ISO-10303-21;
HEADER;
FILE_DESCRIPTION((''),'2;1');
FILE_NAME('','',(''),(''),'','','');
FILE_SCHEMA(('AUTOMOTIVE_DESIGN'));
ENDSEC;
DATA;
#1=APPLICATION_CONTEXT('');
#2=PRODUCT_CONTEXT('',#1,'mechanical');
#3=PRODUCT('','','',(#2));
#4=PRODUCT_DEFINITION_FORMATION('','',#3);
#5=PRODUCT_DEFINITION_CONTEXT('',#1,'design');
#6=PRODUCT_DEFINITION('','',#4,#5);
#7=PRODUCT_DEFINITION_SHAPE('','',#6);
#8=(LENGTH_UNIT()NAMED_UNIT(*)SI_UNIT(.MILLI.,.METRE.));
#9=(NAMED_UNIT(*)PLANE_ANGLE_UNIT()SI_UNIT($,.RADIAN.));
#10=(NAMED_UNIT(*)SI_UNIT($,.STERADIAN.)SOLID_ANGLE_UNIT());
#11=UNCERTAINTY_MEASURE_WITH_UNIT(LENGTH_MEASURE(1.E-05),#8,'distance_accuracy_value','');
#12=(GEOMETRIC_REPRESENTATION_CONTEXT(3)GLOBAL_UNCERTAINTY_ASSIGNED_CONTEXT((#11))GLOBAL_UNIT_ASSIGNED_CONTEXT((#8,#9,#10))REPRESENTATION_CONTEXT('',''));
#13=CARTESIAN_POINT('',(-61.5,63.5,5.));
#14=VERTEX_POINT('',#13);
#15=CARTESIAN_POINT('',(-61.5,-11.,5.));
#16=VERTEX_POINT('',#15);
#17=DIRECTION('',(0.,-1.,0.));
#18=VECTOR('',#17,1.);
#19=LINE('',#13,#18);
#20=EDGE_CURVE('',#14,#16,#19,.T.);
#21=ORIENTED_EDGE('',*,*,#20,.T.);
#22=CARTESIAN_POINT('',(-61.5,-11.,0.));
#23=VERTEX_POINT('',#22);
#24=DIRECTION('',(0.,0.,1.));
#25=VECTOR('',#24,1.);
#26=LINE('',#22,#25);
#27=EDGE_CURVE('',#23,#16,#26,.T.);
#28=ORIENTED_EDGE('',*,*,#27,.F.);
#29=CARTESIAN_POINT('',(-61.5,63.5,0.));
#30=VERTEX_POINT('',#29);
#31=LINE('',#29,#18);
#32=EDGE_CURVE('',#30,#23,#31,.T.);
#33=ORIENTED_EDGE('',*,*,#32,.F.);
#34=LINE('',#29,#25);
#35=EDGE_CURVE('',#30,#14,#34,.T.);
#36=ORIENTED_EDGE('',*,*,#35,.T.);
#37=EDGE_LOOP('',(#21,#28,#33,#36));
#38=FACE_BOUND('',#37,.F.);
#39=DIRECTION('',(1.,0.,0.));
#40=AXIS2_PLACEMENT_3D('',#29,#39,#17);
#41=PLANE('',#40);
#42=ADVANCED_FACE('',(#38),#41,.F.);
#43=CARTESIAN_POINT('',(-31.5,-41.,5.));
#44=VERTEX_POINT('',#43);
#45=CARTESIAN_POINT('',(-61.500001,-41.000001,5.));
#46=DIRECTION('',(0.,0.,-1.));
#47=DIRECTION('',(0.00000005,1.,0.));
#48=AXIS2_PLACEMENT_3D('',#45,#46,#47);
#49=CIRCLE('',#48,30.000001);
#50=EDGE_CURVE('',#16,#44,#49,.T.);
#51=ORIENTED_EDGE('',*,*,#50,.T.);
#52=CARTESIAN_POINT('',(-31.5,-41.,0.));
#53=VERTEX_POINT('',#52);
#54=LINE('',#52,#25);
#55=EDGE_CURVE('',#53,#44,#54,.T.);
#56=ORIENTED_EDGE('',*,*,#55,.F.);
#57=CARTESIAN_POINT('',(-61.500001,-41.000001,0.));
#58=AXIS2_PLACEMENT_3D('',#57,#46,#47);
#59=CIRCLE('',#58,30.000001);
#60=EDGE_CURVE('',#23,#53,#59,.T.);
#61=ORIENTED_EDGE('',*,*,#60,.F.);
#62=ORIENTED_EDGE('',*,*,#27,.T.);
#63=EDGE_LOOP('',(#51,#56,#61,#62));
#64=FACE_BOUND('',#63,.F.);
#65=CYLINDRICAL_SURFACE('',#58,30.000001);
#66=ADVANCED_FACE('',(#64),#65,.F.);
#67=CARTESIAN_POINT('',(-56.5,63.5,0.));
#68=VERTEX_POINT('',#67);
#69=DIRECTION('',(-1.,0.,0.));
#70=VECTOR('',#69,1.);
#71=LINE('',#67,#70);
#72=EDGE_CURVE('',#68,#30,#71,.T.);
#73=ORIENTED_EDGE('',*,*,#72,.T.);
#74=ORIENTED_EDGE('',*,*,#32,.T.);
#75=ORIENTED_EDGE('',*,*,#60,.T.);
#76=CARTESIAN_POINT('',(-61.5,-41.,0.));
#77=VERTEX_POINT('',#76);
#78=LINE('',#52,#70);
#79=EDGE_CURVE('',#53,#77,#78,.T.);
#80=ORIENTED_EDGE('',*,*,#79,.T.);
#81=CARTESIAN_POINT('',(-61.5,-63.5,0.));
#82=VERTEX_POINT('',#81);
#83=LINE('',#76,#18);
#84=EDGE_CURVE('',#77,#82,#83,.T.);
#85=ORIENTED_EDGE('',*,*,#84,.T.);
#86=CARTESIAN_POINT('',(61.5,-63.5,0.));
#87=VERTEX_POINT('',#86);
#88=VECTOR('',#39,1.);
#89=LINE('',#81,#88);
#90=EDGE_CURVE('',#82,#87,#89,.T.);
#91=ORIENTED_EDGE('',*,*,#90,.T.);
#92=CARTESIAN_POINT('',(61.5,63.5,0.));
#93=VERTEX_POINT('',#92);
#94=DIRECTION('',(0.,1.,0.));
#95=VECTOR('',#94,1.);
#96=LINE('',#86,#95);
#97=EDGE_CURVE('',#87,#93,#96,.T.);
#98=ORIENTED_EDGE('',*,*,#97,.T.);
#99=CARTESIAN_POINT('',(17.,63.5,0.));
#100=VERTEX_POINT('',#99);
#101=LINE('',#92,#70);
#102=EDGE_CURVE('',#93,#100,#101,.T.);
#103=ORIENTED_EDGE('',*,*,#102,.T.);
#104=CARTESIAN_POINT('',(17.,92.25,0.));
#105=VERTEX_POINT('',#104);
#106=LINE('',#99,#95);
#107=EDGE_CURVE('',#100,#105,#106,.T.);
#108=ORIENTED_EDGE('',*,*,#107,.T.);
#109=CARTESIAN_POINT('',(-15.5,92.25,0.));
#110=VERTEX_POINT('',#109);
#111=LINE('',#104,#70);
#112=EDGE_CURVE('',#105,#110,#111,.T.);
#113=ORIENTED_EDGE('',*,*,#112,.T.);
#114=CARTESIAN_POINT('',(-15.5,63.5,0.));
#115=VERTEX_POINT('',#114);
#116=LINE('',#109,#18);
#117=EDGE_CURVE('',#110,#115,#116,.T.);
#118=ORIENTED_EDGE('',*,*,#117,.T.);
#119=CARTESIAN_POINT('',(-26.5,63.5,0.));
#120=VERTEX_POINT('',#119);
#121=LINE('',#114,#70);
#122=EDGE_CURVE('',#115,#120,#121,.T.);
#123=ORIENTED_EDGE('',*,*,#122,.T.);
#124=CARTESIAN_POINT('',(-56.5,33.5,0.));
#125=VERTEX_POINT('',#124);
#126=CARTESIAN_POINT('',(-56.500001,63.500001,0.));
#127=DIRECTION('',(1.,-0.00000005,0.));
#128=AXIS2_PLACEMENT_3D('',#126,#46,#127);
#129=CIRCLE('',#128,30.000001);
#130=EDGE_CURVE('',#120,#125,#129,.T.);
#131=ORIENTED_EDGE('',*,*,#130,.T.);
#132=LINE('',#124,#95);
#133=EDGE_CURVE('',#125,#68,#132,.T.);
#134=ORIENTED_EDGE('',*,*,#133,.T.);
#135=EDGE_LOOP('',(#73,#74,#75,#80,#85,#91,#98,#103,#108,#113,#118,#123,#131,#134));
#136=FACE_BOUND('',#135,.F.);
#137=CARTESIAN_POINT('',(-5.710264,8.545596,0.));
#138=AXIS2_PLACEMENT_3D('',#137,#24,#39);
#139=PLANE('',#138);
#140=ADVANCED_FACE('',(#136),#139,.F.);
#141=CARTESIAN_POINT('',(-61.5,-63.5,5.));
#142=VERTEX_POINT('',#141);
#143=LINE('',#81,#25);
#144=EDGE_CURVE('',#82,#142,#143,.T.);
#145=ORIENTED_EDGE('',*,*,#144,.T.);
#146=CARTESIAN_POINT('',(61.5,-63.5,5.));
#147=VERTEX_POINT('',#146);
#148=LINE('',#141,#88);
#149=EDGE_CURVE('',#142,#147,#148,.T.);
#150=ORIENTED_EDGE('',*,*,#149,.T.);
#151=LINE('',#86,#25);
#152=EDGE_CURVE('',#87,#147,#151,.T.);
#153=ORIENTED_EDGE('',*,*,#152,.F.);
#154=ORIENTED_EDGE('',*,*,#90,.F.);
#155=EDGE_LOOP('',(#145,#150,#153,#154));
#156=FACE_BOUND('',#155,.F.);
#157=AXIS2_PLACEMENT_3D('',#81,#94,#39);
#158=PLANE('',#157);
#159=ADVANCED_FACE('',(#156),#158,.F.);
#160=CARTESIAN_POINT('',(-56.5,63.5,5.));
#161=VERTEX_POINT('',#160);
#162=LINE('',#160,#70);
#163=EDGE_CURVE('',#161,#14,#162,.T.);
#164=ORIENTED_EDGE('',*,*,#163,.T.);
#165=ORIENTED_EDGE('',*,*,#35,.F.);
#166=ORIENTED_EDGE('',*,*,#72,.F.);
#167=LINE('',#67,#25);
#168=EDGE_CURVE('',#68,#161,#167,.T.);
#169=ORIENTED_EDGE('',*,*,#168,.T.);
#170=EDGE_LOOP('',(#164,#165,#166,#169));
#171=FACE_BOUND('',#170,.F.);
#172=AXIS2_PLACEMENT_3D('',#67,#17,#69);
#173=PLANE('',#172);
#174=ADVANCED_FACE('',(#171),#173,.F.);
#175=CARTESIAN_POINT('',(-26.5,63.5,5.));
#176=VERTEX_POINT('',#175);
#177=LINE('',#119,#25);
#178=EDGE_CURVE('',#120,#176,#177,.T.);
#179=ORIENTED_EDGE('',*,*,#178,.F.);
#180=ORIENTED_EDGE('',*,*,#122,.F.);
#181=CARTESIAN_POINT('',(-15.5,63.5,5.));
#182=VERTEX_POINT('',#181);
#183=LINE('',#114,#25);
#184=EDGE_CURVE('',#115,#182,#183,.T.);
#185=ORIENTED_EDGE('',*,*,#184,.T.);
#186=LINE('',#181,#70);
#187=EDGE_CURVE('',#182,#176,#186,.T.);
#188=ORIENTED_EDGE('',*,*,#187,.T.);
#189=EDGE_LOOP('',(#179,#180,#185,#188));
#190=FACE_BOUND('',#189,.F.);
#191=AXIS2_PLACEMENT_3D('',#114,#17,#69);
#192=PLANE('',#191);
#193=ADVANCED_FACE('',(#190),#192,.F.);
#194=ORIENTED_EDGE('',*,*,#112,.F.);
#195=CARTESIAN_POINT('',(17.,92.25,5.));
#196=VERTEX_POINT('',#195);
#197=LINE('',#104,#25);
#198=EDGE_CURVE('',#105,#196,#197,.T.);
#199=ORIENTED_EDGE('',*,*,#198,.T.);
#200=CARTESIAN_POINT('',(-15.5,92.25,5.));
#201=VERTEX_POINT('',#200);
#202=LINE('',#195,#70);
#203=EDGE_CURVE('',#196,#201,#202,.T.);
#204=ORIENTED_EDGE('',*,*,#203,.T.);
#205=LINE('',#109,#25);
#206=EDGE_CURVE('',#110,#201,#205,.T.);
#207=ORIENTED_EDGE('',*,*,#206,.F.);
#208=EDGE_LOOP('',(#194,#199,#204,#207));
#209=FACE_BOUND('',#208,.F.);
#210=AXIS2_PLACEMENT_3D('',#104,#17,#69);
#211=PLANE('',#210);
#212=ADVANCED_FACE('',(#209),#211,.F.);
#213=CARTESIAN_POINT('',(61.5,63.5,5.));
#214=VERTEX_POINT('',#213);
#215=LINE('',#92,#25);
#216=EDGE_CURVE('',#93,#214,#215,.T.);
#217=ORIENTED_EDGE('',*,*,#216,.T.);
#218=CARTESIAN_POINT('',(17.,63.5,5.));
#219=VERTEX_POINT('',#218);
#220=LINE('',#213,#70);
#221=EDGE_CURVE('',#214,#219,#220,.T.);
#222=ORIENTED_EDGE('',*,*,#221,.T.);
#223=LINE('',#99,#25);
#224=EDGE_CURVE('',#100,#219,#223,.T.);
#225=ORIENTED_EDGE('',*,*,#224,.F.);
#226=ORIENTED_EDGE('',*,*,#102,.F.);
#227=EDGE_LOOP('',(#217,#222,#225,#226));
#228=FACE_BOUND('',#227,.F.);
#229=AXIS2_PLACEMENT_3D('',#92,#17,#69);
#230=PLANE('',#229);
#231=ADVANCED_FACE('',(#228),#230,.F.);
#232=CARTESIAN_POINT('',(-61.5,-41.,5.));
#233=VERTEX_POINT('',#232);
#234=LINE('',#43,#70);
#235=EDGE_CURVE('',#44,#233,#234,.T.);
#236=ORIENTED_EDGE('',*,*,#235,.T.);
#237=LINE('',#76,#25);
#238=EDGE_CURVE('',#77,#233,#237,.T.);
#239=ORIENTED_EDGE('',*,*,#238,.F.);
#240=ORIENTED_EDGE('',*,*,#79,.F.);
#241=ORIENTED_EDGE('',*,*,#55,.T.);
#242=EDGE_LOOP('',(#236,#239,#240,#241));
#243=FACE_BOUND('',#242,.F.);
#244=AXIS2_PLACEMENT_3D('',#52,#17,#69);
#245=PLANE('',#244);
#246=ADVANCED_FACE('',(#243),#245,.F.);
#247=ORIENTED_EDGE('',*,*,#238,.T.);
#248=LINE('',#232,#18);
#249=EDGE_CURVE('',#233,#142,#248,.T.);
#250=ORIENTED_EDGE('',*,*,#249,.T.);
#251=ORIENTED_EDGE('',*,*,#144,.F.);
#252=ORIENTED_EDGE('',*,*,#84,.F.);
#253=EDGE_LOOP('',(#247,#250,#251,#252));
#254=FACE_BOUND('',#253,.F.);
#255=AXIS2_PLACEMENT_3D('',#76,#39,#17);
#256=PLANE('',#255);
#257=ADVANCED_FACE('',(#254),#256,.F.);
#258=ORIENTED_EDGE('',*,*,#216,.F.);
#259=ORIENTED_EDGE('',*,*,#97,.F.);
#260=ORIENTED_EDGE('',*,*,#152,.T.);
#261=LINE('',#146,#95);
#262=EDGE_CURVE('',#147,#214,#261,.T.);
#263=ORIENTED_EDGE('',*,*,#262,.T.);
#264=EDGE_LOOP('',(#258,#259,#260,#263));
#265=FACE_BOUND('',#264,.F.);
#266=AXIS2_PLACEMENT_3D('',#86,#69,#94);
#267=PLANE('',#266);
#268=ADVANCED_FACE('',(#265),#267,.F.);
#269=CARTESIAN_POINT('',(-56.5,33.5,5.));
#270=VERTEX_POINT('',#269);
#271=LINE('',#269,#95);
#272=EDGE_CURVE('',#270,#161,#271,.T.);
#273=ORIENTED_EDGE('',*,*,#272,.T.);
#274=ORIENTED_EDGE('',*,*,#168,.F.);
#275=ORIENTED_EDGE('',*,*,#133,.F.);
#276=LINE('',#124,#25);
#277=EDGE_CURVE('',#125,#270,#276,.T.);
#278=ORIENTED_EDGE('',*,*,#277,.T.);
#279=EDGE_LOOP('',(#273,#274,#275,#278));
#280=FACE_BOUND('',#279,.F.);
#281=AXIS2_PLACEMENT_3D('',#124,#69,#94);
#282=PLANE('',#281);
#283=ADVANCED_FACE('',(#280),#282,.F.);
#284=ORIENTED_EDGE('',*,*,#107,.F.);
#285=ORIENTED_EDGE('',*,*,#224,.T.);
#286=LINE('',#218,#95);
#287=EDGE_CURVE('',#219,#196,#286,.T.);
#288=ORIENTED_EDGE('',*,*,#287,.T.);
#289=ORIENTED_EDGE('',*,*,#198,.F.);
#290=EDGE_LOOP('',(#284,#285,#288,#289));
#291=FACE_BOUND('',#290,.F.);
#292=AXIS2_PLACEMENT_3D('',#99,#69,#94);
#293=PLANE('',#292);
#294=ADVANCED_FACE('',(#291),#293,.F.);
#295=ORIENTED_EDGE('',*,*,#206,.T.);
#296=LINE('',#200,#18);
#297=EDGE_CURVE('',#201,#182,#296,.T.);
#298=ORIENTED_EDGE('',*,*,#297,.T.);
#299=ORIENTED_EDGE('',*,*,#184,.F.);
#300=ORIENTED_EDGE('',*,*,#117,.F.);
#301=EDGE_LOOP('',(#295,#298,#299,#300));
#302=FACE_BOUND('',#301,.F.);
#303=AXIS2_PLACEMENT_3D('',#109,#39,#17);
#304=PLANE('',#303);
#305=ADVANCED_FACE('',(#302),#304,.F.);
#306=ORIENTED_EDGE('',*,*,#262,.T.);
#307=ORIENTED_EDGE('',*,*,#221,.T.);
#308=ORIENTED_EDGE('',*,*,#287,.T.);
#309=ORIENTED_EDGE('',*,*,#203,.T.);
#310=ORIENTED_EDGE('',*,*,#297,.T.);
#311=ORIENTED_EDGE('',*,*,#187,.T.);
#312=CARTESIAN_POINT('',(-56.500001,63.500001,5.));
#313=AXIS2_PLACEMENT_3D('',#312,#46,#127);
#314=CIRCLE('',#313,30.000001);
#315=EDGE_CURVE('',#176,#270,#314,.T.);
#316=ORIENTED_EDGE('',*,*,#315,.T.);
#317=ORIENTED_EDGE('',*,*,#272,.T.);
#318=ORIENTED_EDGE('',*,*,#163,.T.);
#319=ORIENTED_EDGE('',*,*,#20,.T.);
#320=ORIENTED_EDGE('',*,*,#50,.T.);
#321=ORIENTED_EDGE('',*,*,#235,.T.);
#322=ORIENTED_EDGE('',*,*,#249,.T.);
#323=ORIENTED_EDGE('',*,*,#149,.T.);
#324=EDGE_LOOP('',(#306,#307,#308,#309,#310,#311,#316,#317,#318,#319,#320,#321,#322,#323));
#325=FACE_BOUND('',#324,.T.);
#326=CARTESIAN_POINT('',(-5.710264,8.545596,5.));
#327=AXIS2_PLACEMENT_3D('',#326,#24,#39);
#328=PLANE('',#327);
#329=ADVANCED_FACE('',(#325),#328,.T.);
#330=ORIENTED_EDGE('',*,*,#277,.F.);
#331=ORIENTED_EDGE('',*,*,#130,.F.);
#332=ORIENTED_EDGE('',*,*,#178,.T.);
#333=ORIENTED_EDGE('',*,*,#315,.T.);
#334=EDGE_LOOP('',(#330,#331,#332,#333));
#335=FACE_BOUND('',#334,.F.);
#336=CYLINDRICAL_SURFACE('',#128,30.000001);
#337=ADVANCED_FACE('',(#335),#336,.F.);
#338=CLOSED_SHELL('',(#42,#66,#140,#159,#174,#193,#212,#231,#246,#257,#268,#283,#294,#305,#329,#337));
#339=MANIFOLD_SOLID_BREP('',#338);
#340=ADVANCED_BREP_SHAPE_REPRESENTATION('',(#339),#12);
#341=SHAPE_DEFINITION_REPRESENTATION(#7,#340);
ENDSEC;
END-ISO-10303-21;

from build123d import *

# Parameters (mm, degrees)
F1_DEPTH = 5


with BuildPart() as f1:
    # F0 (on Top) → F1 (new body)
    with BuildSketch(Plane.XY):
        with BuildLine():
            Line((61.5, -63.5), (61.5, 63.5))
            Line((61.5, 63.5), (17, 63.5))
            Line((17, 63.5), (17, 92.25))
            Line((17, 92.25), (-15.5, 92.25))
            Line((-15.5, 92.25), (-15.5, 63.5))
            Line((-15.5, 63.5), (-26.5, 63.5))
            ThreePointArc((-26.5, 63.5), (-35.286797, 42.286797), (-56.5, 33.5))
            Line((-56.5, 33.5), (-56.5, 63.5))
            Line((-56.5, 63.5), (-61.5, 63.5))
            Line((-61.5, 63.5), (-61.5, -11))
            ThreePointArc((-61.5, -11), (-40.286797, -19.786797), (-31.5, -41))
            Line((-31.5, -41), (-61.5, -41))
            Line((-61.5, -41), (-61.5, -63.5))
            Line((-61.5, -63.5), (61.5, -63.5))
        make_face()
    extrude(amount=F1_DEPTH)


solid = f1.part
